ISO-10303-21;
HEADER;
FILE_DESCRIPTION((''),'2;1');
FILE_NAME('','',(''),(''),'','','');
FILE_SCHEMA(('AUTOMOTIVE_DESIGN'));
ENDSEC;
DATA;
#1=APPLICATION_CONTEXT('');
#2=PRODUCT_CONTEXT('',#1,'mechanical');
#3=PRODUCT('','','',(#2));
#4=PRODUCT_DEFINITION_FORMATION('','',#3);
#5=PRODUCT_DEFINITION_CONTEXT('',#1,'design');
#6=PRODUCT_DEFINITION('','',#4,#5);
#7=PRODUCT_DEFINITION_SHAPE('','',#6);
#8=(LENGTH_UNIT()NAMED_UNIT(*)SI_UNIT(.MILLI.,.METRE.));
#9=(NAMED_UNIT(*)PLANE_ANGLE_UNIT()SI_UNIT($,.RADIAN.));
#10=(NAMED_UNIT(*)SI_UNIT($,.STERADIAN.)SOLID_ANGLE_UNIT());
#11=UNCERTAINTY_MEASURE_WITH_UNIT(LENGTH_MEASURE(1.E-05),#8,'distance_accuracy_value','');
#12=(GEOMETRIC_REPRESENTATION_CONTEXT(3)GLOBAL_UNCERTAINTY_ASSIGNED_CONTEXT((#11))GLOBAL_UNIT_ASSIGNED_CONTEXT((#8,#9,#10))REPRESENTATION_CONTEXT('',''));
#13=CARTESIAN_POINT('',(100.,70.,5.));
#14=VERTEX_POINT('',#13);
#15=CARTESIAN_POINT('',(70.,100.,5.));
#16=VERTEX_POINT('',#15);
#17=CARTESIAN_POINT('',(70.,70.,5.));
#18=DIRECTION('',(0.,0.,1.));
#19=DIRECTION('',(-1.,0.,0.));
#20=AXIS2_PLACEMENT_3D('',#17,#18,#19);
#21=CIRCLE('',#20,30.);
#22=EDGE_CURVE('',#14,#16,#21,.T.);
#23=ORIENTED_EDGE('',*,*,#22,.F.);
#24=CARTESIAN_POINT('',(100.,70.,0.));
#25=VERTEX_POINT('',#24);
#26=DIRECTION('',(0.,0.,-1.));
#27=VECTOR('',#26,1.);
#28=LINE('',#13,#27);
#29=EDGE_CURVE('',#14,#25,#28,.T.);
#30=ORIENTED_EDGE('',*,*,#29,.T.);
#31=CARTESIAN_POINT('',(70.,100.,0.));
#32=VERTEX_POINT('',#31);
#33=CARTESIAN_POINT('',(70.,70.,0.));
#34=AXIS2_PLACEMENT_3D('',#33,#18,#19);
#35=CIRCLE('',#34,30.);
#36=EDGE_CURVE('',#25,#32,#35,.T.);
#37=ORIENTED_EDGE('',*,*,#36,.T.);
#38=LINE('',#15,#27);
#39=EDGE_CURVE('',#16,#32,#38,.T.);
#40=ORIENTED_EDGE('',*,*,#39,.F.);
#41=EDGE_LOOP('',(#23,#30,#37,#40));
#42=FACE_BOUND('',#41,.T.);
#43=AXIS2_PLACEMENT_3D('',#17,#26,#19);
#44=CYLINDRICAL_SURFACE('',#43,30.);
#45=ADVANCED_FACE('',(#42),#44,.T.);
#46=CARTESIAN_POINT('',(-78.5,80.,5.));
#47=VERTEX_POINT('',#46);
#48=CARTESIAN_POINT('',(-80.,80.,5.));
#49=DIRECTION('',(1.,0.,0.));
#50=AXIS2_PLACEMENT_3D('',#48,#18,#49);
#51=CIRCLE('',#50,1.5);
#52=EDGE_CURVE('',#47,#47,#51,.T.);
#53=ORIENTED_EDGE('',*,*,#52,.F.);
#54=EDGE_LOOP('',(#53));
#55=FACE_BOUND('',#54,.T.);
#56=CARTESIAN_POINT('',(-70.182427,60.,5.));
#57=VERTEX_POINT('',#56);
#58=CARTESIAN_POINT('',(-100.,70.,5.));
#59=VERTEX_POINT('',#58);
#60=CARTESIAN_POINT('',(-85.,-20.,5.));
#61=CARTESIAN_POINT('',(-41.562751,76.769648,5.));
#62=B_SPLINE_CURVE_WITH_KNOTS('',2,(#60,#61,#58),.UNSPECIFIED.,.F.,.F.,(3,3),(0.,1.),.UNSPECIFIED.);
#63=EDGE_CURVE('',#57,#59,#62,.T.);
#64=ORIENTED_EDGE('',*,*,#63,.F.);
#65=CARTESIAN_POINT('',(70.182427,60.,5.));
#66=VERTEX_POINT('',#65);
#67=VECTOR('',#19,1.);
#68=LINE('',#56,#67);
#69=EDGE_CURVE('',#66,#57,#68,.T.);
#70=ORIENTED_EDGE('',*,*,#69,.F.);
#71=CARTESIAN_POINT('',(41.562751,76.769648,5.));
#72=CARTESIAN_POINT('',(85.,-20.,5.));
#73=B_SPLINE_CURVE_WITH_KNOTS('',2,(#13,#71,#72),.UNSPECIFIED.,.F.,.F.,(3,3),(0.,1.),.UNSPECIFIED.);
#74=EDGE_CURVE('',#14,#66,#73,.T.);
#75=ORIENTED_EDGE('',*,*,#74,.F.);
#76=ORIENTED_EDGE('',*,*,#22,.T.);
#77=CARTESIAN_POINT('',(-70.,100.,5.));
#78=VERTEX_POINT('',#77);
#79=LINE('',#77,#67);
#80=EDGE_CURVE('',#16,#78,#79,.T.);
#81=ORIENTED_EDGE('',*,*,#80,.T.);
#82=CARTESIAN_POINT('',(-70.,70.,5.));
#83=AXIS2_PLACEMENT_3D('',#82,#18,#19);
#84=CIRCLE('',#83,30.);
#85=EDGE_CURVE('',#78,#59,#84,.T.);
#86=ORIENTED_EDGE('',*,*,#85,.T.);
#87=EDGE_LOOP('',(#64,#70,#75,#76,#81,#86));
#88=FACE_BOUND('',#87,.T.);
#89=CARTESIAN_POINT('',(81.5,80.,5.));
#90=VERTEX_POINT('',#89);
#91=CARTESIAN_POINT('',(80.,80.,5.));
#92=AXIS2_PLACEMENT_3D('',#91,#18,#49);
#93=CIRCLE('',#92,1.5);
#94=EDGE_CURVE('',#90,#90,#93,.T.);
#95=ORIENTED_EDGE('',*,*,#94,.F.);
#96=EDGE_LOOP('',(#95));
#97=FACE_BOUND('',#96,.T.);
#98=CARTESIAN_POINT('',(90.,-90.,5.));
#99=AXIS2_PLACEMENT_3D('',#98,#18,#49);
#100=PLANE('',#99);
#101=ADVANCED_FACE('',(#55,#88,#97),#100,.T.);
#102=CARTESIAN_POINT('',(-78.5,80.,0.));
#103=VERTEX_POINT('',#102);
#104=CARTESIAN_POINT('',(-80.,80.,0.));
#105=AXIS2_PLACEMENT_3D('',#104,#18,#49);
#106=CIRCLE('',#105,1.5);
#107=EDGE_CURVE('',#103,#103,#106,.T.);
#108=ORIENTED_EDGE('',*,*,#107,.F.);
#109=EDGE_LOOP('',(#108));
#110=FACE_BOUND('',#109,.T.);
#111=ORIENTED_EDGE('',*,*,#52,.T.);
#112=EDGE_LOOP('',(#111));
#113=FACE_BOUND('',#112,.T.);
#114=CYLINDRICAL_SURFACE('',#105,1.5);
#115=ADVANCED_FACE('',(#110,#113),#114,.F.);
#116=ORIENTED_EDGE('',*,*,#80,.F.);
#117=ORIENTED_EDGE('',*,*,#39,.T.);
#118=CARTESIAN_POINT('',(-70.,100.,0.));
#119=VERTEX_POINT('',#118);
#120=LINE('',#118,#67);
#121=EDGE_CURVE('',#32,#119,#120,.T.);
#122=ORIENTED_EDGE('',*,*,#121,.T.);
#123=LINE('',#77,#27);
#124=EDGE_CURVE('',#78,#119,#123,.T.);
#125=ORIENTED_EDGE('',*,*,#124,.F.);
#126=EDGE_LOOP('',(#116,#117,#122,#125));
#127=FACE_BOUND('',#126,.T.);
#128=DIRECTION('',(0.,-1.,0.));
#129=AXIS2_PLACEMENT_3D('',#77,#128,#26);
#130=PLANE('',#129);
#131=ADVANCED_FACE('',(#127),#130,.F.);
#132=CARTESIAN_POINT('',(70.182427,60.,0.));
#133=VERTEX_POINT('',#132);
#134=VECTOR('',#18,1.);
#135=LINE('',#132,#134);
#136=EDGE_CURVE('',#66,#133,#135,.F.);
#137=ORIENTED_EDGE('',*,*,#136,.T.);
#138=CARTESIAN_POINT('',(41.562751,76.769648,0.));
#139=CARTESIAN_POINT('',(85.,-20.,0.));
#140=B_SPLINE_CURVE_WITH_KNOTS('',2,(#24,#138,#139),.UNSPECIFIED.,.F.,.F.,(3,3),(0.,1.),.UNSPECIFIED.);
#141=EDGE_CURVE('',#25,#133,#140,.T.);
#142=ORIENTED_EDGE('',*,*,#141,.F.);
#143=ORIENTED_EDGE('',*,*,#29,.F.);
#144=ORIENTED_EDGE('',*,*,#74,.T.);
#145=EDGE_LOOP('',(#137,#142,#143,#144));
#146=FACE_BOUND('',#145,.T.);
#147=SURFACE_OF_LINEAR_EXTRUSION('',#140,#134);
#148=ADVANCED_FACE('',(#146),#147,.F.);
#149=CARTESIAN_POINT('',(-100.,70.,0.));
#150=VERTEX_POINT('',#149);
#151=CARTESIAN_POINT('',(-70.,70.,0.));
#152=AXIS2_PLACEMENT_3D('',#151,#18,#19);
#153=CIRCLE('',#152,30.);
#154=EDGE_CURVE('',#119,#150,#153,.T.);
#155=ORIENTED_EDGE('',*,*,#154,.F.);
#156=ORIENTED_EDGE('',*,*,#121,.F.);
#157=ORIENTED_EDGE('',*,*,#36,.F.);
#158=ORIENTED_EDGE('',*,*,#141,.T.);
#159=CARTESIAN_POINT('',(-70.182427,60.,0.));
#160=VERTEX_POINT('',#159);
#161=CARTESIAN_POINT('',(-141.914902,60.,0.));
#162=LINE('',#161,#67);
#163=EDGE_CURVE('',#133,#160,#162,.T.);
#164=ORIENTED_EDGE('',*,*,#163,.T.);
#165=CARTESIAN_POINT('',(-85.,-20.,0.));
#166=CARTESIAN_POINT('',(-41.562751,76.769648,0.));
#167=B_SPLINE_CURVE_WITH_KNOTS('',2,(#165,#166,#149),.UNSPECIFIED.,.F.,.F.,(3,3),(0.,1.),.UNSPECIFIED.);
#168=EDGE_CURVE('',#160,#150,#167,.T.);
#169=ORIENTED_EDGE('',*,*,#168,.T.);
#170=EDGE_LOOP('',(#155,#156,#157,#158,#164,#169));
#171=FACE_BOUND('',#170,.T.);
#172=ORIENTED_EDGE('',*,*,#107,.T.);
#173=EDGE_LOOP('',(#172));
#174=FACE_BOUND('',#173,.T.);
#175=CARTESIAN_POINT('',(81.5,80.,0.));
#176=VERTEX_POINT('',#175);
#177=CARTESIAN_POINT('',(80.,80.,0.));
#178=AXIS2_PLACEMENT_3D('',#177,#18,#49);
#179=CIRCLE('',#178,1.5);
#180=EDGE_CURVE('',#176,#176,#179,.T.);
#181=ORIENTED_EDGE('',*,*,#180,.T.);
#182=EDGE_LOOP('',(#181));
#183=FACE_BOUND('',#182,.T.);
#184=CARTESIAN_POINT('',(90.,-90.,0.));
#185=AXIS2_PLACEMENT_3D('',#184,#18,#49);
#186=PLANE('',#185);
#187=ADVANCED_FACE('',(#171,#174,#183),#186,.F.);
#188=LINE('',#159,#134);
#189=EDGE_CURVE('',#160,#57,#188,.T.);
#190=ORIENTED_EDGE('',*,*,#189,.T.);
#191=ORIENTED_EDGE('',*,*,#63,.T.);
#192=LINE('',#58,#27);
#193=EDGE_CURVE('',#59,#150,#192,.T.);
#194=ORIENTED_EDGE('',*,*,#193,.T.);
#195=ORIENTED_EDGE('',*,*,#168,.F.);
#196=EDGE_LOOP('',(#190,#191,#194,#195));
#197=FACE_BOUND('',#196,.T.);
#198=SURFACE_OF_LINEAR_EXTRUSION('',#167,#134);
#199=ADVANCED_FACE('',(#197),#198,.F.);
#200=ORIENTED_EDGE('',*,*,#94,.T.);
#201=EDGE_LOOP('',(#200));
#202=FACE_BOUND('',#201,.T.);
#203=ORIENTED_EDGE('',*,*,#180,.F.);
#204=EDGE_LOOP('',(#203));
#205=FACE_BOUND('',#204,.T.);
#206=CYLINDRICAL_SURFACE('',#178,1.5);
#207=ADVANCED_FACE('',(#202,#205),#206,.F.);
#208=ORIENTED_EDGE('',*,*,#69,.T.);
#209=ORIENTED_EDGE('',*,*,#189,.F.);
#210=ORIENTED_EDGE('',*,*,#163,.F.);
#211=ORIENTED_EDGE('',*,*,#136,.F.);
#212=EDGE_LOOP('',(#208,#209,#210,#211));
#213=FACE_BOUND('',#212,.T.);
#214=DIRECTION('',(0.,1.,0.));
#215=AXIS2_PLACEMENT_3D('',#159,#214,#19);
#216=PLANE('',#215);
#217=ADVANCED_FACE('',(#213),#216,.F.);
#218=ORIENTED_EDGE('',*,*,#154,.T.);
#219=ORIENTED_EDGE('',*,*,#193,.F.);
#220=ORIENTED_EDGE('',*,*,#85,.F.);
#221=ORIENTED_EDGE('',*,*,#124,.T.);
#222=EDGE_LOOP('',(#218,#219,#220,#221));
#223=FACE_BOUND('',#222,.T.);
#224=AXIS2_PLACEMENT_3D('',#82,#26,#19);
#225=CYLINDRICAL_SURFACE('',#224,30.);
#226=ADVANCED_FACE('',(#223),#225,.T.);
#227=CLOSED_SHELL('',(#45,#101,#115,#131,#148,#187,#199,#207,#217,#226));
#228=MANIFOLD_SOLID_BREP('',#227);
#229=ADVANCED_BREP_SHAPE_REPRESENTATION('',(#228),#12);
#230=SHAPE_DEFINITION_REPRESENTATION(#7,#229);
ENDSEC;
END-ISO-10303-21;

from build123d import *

# Parameters (mm, degrees)
BOSS_EXTRUDE1_DEPTH = 5
SKETCH2_W           = 30
SKETCH2_H           = 70
CUT_EXTRUDE1_DEPTH  = 5
CUT_EXTRUDE2_DEPTH  = 5
SKETCH5_R           = 2.5
CUT_EXTRUDE3_DEPTH  = 5
SKETCH6_R           = 2.5
CUT_EXTRUDE4_DEPTH  = 5
CUT_EXTRUDE5_DEPTH  = 5
SKETCH8_R           = 1.5
CUT_EXTRUDE6_DEPTH  = 5


with BuildPart() as part:
    # Sketch1 → Boss-Extrude1 (new body)
    with BuildSketch(Plane.XY):
        with BuildLine():
            Line((-90, -100), (90, -100))
            ThreePointArc((90, -100), (97.071067812, -97.071067812), (100, -90))
            Line((100, -90), (100, 70))
            ThreePointArc((100, 70), (91.213203436, 91.213203436), (70, 100))
            Line((70, 100), (-70, 100))
            ThreePointArc((-70, 100), (-91.213203436, 91.213203436), (-100, 70))
            Line((-100, 70), (-100, -90))
            ThreePointArc((-100, -90), (-97.071067812, -97.071067812), (-90, -100))
        make_face()
    extrude(amount=BOSS_EXTRUDE1_DEPTH)

    # Sketch2 → Cut-Extrude1 (cut)
    with BuildSketch(Plane.XY.offset(5)):
        with Locations((85, -55)):
            Rectangle(SKETCH2_W, SKETCH2_H)
        with Locations((-85, -55)):
            Rectangle(SKETCH2_W, SKETCH2_H)
    extrude(amount=-CUT_EXTRUDE1_DEPTH, mode=Mode.SUBTRACT)

    # Sketch3 → Cut-Extrude2 (cut)
    with BuildSketch(Plane.XY.offset(5)):
        with BuildLine():
            Line((85, -20), (100, -20))
            Line((100, -20), (100, 70))
            add(Edge.make_bspline(
                [(100, 70), (41.562750789, 76.769648156), (85, -20)],
                knots=[0, 0, 0, 1, 1, 1], degree=2))
        make_face()
        with BuildLine():
            Line((-85, -20), (-100, -20))
            Line((-100, -20), (-100, 70))
            add(Edge.make_bspline(
                [(-100, 70), (-41.562750789, 76.769648156), (-85, -20)],
                knots=[0, 0, 0, 1, 1, 1], degree=2))
        make_face()
    extrude(amount=-CUT_EXTRUDE2_DEPTH, mode=Mode.SUBTRACT)

    # Sketch5 → Cut-Extrude3 (cut)
    with BuildSketch(Plane.XY.offset(5)):
        with Locations((50, -80)):
            Circle(SKETCH5_R)
        with Locations((-50, -80)):
            Circle(SKETCH5_R)
        with Locations(Location((50, -20, 0), (0, 0, 180))):
            Circle(SKETCH5_R)
        with Locations(Location((-50, -20, 0), (0, 0, 180))):
            Circle(SKETCH5_R)
    extrude(amount=-CUT_EXTRUDE3_DEPTH, mode=Mode.SUBTRACT)

    # Sketch6 → Cut-Extrude4 (cut)
    with BuildSketch(Plane.XY.offset(5)):
        with Locations((0, -90)):
            Circle(SKETCH6_R)
    extrude(amount=-CUT_EXTRUDE4_DEPTH, mode=Mode.SUBTRACT)

    # Sketch7 → Cut-Extrude5 (cut)
    with BuildSketch(Plane.XY.offset(5)):
        Polygon((-70.182426877, 60), (70.182426877, 60), (160.134720298, 60), (160.134720298, -117.07554651), (-141.914902021, -117.07554651), (-141.914902021, 60), align=None)
    extrude(amount=-CUT_EXTRUDE5_DEPTH, mode=Mode.SUBTRACT)

    # Sketch8 → Cut-Extrude6 (cut)
    with BuildSketch(Plane.XY.offset(5)):
        with Locations((-80, 80)):
            Circle(SKETCH8_R)
        with Locations((80, 80)):
            Circle(SKETCH8_R)
    extrude(amount=-CUT_EXTRUDE6_DEPTH, mode=Mode.SUBTRACT)


solid = part.part
